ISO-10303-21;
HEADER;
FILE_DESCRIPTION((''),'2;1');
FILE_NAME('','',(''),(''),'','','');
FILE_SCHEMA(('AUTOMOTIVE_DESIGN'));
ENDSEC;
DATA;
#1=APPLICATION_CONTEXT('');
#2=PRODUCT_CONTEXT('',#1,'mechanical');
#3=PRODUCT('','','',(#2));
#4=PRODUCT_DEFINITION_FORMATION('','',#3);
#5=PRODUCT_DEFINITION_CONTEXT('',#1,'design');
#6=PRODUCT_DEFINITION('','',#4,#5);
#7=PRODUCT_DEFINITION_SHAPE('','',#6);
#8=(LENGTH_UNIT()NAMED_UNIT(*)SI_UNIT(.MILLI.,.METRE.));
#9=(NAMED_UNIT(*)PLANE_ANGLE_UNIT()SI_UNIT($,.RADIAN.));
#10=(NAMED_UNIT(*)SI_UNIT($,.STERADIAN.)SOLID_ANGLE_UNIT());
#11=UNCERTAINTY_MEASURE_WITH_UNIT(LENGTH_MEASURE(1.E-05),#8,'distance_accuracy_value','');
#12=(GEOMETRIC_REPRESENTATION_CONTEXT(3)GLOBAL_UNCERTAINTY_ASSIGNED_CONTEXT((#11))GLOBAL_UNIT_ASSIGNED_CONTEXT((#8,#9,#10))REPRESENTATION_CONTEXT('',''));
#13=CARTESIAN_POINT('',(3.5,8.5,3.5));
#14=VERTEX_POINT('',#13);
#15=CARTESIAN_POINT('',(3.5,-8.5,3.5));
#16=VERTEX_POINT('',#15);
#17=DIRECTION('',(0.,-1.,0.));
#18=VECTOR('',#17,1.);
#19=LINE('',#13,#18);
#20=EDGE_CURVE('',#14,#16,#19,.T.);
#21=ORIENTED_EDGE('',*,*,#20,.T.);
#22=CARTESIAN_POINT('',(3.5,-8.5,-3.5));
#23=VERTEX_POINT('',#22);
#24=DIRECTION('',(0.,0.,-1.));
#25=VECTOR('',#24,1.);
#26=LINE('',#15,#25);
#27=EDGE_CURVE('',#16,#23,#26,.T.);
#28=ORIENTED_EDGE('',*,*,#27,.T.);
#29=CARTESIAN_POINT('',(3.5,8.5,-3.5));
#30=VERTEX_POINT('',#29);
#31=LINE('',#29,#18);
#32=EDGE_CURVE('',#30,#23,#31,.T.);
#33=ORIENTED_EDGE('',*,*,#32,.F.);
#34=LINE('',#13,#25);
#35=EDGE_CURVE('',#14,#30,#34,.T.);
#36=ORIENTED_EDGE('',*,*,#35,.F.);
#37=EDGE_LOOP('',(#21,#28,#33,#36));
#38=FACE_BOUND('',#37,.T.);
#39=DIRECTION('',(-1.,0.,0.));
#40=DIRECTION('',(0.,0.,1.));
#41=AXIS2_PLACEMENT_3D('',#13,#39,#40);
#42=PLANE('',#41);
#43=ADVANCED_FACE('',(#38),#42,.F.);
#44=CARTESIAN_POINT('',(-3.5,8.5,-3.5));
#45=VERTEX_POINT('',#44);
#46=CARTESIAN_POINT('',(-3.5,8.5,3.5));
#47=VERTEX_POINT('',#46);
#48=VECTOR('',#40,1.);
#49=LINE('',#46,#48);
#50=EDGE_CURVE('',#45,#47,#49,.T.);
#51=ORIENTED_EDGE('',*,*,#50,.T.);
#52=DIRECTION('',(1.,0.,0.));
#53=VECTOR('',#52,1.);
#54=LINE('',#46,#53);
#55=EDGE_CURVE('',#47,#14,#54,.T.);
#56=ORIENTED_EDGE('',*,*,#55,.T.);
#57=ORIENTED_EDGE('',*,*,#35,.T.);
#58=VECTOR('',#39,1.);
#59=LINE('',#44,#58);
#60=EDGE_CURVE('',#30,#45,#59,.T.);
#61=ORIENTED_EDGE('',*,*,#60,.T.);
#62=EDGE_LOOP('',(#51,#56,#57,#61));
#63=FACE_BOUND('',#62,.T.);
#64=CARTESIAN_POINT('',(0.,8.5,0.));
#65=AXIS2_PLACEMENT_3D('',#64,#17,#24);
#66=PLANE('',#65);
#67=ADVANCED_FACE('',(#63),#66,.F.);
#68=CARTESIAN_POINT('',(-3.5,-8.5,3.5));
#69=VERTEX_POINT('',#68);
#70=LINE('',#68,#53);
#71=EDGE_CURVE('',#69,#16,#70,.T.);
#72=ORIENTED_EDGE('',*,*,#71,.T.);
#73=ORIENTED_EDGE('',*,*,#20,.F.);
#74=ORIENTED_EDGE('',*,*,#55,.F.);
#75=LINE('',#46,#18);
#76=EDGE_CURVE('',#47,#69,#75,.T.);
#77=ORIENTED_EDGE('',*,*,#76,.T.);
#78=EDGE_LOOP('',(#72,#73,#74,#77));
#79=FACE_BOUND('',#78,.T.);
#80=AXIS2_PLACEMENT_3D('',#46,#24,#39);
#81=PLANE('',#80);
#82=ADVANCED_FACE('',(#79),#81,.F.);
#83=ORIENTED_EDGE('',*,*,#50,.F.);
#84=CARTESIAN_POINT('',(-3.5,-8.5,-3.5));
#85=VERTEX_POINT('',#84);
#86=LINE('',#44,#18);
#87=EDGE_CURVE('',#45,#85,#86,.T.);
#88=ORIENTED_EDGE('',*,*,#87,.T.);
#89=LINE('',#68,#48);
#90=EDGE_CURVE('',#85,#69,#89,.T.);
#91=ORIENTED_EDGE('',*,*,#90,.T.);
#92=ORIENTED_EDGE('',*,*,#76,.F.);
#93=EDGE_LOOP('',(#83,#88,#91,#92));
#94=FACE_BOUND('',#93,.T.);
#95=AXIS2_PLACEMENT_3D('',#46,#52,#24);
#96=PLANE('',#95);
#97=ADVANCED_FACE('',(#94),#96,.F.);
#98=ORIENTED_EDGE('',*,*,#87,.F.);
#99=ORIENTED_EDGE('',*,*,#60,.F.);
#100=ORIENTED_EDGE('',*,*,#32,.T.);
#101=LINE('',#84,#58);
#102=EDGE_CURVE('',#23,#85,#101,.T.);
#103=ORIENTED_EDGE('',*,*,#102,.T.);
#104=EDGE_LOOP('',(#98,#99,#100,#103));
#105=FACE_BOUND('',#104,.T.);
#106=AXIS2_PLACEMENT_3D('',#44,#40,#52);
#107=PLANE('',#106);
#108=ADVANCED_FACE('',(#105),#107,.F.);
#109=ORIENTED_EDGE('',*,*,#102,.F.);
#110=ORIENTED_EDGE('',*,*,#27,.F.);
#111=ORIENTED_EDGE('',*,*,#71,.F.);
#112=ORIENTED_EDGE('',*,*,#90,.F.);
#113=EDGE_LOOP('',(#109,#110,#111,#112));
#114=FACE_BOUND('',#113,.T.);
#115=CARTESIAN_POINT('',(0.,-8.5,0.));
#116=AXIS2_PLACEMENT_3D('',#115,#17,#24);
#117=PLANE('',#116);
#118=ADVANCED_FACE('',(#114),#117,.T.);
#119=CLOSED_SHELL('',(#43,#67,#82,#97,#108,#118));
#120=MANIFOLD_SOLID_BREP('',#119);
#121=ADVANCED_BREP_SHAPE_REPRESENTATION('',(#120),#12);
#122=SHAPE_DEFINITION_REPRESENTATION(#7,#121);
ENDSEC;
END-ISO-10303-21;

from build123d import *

# Parameters (mm, degrees)
CROQUIS1_W              = 7
CROQUIS1_H              = 7
SALIENTE_EXTRUIR1_DEPTH = 8.5


with BuildPart() as part:
    # Croquis1 → Saliente-Extruir1 (new, symmetric)
    with BuildSketch(Plane(origin=(0, 0, 0), x_dir=(1, 0, 0), z_dir=(0, 1, 0))):
        Rectangle(CROQUIS1_W, CROQUIS1_H)
    extrude(amount=SALIENTE_EXTRUIR1_DEPTH, both=True)


solid = part.part
